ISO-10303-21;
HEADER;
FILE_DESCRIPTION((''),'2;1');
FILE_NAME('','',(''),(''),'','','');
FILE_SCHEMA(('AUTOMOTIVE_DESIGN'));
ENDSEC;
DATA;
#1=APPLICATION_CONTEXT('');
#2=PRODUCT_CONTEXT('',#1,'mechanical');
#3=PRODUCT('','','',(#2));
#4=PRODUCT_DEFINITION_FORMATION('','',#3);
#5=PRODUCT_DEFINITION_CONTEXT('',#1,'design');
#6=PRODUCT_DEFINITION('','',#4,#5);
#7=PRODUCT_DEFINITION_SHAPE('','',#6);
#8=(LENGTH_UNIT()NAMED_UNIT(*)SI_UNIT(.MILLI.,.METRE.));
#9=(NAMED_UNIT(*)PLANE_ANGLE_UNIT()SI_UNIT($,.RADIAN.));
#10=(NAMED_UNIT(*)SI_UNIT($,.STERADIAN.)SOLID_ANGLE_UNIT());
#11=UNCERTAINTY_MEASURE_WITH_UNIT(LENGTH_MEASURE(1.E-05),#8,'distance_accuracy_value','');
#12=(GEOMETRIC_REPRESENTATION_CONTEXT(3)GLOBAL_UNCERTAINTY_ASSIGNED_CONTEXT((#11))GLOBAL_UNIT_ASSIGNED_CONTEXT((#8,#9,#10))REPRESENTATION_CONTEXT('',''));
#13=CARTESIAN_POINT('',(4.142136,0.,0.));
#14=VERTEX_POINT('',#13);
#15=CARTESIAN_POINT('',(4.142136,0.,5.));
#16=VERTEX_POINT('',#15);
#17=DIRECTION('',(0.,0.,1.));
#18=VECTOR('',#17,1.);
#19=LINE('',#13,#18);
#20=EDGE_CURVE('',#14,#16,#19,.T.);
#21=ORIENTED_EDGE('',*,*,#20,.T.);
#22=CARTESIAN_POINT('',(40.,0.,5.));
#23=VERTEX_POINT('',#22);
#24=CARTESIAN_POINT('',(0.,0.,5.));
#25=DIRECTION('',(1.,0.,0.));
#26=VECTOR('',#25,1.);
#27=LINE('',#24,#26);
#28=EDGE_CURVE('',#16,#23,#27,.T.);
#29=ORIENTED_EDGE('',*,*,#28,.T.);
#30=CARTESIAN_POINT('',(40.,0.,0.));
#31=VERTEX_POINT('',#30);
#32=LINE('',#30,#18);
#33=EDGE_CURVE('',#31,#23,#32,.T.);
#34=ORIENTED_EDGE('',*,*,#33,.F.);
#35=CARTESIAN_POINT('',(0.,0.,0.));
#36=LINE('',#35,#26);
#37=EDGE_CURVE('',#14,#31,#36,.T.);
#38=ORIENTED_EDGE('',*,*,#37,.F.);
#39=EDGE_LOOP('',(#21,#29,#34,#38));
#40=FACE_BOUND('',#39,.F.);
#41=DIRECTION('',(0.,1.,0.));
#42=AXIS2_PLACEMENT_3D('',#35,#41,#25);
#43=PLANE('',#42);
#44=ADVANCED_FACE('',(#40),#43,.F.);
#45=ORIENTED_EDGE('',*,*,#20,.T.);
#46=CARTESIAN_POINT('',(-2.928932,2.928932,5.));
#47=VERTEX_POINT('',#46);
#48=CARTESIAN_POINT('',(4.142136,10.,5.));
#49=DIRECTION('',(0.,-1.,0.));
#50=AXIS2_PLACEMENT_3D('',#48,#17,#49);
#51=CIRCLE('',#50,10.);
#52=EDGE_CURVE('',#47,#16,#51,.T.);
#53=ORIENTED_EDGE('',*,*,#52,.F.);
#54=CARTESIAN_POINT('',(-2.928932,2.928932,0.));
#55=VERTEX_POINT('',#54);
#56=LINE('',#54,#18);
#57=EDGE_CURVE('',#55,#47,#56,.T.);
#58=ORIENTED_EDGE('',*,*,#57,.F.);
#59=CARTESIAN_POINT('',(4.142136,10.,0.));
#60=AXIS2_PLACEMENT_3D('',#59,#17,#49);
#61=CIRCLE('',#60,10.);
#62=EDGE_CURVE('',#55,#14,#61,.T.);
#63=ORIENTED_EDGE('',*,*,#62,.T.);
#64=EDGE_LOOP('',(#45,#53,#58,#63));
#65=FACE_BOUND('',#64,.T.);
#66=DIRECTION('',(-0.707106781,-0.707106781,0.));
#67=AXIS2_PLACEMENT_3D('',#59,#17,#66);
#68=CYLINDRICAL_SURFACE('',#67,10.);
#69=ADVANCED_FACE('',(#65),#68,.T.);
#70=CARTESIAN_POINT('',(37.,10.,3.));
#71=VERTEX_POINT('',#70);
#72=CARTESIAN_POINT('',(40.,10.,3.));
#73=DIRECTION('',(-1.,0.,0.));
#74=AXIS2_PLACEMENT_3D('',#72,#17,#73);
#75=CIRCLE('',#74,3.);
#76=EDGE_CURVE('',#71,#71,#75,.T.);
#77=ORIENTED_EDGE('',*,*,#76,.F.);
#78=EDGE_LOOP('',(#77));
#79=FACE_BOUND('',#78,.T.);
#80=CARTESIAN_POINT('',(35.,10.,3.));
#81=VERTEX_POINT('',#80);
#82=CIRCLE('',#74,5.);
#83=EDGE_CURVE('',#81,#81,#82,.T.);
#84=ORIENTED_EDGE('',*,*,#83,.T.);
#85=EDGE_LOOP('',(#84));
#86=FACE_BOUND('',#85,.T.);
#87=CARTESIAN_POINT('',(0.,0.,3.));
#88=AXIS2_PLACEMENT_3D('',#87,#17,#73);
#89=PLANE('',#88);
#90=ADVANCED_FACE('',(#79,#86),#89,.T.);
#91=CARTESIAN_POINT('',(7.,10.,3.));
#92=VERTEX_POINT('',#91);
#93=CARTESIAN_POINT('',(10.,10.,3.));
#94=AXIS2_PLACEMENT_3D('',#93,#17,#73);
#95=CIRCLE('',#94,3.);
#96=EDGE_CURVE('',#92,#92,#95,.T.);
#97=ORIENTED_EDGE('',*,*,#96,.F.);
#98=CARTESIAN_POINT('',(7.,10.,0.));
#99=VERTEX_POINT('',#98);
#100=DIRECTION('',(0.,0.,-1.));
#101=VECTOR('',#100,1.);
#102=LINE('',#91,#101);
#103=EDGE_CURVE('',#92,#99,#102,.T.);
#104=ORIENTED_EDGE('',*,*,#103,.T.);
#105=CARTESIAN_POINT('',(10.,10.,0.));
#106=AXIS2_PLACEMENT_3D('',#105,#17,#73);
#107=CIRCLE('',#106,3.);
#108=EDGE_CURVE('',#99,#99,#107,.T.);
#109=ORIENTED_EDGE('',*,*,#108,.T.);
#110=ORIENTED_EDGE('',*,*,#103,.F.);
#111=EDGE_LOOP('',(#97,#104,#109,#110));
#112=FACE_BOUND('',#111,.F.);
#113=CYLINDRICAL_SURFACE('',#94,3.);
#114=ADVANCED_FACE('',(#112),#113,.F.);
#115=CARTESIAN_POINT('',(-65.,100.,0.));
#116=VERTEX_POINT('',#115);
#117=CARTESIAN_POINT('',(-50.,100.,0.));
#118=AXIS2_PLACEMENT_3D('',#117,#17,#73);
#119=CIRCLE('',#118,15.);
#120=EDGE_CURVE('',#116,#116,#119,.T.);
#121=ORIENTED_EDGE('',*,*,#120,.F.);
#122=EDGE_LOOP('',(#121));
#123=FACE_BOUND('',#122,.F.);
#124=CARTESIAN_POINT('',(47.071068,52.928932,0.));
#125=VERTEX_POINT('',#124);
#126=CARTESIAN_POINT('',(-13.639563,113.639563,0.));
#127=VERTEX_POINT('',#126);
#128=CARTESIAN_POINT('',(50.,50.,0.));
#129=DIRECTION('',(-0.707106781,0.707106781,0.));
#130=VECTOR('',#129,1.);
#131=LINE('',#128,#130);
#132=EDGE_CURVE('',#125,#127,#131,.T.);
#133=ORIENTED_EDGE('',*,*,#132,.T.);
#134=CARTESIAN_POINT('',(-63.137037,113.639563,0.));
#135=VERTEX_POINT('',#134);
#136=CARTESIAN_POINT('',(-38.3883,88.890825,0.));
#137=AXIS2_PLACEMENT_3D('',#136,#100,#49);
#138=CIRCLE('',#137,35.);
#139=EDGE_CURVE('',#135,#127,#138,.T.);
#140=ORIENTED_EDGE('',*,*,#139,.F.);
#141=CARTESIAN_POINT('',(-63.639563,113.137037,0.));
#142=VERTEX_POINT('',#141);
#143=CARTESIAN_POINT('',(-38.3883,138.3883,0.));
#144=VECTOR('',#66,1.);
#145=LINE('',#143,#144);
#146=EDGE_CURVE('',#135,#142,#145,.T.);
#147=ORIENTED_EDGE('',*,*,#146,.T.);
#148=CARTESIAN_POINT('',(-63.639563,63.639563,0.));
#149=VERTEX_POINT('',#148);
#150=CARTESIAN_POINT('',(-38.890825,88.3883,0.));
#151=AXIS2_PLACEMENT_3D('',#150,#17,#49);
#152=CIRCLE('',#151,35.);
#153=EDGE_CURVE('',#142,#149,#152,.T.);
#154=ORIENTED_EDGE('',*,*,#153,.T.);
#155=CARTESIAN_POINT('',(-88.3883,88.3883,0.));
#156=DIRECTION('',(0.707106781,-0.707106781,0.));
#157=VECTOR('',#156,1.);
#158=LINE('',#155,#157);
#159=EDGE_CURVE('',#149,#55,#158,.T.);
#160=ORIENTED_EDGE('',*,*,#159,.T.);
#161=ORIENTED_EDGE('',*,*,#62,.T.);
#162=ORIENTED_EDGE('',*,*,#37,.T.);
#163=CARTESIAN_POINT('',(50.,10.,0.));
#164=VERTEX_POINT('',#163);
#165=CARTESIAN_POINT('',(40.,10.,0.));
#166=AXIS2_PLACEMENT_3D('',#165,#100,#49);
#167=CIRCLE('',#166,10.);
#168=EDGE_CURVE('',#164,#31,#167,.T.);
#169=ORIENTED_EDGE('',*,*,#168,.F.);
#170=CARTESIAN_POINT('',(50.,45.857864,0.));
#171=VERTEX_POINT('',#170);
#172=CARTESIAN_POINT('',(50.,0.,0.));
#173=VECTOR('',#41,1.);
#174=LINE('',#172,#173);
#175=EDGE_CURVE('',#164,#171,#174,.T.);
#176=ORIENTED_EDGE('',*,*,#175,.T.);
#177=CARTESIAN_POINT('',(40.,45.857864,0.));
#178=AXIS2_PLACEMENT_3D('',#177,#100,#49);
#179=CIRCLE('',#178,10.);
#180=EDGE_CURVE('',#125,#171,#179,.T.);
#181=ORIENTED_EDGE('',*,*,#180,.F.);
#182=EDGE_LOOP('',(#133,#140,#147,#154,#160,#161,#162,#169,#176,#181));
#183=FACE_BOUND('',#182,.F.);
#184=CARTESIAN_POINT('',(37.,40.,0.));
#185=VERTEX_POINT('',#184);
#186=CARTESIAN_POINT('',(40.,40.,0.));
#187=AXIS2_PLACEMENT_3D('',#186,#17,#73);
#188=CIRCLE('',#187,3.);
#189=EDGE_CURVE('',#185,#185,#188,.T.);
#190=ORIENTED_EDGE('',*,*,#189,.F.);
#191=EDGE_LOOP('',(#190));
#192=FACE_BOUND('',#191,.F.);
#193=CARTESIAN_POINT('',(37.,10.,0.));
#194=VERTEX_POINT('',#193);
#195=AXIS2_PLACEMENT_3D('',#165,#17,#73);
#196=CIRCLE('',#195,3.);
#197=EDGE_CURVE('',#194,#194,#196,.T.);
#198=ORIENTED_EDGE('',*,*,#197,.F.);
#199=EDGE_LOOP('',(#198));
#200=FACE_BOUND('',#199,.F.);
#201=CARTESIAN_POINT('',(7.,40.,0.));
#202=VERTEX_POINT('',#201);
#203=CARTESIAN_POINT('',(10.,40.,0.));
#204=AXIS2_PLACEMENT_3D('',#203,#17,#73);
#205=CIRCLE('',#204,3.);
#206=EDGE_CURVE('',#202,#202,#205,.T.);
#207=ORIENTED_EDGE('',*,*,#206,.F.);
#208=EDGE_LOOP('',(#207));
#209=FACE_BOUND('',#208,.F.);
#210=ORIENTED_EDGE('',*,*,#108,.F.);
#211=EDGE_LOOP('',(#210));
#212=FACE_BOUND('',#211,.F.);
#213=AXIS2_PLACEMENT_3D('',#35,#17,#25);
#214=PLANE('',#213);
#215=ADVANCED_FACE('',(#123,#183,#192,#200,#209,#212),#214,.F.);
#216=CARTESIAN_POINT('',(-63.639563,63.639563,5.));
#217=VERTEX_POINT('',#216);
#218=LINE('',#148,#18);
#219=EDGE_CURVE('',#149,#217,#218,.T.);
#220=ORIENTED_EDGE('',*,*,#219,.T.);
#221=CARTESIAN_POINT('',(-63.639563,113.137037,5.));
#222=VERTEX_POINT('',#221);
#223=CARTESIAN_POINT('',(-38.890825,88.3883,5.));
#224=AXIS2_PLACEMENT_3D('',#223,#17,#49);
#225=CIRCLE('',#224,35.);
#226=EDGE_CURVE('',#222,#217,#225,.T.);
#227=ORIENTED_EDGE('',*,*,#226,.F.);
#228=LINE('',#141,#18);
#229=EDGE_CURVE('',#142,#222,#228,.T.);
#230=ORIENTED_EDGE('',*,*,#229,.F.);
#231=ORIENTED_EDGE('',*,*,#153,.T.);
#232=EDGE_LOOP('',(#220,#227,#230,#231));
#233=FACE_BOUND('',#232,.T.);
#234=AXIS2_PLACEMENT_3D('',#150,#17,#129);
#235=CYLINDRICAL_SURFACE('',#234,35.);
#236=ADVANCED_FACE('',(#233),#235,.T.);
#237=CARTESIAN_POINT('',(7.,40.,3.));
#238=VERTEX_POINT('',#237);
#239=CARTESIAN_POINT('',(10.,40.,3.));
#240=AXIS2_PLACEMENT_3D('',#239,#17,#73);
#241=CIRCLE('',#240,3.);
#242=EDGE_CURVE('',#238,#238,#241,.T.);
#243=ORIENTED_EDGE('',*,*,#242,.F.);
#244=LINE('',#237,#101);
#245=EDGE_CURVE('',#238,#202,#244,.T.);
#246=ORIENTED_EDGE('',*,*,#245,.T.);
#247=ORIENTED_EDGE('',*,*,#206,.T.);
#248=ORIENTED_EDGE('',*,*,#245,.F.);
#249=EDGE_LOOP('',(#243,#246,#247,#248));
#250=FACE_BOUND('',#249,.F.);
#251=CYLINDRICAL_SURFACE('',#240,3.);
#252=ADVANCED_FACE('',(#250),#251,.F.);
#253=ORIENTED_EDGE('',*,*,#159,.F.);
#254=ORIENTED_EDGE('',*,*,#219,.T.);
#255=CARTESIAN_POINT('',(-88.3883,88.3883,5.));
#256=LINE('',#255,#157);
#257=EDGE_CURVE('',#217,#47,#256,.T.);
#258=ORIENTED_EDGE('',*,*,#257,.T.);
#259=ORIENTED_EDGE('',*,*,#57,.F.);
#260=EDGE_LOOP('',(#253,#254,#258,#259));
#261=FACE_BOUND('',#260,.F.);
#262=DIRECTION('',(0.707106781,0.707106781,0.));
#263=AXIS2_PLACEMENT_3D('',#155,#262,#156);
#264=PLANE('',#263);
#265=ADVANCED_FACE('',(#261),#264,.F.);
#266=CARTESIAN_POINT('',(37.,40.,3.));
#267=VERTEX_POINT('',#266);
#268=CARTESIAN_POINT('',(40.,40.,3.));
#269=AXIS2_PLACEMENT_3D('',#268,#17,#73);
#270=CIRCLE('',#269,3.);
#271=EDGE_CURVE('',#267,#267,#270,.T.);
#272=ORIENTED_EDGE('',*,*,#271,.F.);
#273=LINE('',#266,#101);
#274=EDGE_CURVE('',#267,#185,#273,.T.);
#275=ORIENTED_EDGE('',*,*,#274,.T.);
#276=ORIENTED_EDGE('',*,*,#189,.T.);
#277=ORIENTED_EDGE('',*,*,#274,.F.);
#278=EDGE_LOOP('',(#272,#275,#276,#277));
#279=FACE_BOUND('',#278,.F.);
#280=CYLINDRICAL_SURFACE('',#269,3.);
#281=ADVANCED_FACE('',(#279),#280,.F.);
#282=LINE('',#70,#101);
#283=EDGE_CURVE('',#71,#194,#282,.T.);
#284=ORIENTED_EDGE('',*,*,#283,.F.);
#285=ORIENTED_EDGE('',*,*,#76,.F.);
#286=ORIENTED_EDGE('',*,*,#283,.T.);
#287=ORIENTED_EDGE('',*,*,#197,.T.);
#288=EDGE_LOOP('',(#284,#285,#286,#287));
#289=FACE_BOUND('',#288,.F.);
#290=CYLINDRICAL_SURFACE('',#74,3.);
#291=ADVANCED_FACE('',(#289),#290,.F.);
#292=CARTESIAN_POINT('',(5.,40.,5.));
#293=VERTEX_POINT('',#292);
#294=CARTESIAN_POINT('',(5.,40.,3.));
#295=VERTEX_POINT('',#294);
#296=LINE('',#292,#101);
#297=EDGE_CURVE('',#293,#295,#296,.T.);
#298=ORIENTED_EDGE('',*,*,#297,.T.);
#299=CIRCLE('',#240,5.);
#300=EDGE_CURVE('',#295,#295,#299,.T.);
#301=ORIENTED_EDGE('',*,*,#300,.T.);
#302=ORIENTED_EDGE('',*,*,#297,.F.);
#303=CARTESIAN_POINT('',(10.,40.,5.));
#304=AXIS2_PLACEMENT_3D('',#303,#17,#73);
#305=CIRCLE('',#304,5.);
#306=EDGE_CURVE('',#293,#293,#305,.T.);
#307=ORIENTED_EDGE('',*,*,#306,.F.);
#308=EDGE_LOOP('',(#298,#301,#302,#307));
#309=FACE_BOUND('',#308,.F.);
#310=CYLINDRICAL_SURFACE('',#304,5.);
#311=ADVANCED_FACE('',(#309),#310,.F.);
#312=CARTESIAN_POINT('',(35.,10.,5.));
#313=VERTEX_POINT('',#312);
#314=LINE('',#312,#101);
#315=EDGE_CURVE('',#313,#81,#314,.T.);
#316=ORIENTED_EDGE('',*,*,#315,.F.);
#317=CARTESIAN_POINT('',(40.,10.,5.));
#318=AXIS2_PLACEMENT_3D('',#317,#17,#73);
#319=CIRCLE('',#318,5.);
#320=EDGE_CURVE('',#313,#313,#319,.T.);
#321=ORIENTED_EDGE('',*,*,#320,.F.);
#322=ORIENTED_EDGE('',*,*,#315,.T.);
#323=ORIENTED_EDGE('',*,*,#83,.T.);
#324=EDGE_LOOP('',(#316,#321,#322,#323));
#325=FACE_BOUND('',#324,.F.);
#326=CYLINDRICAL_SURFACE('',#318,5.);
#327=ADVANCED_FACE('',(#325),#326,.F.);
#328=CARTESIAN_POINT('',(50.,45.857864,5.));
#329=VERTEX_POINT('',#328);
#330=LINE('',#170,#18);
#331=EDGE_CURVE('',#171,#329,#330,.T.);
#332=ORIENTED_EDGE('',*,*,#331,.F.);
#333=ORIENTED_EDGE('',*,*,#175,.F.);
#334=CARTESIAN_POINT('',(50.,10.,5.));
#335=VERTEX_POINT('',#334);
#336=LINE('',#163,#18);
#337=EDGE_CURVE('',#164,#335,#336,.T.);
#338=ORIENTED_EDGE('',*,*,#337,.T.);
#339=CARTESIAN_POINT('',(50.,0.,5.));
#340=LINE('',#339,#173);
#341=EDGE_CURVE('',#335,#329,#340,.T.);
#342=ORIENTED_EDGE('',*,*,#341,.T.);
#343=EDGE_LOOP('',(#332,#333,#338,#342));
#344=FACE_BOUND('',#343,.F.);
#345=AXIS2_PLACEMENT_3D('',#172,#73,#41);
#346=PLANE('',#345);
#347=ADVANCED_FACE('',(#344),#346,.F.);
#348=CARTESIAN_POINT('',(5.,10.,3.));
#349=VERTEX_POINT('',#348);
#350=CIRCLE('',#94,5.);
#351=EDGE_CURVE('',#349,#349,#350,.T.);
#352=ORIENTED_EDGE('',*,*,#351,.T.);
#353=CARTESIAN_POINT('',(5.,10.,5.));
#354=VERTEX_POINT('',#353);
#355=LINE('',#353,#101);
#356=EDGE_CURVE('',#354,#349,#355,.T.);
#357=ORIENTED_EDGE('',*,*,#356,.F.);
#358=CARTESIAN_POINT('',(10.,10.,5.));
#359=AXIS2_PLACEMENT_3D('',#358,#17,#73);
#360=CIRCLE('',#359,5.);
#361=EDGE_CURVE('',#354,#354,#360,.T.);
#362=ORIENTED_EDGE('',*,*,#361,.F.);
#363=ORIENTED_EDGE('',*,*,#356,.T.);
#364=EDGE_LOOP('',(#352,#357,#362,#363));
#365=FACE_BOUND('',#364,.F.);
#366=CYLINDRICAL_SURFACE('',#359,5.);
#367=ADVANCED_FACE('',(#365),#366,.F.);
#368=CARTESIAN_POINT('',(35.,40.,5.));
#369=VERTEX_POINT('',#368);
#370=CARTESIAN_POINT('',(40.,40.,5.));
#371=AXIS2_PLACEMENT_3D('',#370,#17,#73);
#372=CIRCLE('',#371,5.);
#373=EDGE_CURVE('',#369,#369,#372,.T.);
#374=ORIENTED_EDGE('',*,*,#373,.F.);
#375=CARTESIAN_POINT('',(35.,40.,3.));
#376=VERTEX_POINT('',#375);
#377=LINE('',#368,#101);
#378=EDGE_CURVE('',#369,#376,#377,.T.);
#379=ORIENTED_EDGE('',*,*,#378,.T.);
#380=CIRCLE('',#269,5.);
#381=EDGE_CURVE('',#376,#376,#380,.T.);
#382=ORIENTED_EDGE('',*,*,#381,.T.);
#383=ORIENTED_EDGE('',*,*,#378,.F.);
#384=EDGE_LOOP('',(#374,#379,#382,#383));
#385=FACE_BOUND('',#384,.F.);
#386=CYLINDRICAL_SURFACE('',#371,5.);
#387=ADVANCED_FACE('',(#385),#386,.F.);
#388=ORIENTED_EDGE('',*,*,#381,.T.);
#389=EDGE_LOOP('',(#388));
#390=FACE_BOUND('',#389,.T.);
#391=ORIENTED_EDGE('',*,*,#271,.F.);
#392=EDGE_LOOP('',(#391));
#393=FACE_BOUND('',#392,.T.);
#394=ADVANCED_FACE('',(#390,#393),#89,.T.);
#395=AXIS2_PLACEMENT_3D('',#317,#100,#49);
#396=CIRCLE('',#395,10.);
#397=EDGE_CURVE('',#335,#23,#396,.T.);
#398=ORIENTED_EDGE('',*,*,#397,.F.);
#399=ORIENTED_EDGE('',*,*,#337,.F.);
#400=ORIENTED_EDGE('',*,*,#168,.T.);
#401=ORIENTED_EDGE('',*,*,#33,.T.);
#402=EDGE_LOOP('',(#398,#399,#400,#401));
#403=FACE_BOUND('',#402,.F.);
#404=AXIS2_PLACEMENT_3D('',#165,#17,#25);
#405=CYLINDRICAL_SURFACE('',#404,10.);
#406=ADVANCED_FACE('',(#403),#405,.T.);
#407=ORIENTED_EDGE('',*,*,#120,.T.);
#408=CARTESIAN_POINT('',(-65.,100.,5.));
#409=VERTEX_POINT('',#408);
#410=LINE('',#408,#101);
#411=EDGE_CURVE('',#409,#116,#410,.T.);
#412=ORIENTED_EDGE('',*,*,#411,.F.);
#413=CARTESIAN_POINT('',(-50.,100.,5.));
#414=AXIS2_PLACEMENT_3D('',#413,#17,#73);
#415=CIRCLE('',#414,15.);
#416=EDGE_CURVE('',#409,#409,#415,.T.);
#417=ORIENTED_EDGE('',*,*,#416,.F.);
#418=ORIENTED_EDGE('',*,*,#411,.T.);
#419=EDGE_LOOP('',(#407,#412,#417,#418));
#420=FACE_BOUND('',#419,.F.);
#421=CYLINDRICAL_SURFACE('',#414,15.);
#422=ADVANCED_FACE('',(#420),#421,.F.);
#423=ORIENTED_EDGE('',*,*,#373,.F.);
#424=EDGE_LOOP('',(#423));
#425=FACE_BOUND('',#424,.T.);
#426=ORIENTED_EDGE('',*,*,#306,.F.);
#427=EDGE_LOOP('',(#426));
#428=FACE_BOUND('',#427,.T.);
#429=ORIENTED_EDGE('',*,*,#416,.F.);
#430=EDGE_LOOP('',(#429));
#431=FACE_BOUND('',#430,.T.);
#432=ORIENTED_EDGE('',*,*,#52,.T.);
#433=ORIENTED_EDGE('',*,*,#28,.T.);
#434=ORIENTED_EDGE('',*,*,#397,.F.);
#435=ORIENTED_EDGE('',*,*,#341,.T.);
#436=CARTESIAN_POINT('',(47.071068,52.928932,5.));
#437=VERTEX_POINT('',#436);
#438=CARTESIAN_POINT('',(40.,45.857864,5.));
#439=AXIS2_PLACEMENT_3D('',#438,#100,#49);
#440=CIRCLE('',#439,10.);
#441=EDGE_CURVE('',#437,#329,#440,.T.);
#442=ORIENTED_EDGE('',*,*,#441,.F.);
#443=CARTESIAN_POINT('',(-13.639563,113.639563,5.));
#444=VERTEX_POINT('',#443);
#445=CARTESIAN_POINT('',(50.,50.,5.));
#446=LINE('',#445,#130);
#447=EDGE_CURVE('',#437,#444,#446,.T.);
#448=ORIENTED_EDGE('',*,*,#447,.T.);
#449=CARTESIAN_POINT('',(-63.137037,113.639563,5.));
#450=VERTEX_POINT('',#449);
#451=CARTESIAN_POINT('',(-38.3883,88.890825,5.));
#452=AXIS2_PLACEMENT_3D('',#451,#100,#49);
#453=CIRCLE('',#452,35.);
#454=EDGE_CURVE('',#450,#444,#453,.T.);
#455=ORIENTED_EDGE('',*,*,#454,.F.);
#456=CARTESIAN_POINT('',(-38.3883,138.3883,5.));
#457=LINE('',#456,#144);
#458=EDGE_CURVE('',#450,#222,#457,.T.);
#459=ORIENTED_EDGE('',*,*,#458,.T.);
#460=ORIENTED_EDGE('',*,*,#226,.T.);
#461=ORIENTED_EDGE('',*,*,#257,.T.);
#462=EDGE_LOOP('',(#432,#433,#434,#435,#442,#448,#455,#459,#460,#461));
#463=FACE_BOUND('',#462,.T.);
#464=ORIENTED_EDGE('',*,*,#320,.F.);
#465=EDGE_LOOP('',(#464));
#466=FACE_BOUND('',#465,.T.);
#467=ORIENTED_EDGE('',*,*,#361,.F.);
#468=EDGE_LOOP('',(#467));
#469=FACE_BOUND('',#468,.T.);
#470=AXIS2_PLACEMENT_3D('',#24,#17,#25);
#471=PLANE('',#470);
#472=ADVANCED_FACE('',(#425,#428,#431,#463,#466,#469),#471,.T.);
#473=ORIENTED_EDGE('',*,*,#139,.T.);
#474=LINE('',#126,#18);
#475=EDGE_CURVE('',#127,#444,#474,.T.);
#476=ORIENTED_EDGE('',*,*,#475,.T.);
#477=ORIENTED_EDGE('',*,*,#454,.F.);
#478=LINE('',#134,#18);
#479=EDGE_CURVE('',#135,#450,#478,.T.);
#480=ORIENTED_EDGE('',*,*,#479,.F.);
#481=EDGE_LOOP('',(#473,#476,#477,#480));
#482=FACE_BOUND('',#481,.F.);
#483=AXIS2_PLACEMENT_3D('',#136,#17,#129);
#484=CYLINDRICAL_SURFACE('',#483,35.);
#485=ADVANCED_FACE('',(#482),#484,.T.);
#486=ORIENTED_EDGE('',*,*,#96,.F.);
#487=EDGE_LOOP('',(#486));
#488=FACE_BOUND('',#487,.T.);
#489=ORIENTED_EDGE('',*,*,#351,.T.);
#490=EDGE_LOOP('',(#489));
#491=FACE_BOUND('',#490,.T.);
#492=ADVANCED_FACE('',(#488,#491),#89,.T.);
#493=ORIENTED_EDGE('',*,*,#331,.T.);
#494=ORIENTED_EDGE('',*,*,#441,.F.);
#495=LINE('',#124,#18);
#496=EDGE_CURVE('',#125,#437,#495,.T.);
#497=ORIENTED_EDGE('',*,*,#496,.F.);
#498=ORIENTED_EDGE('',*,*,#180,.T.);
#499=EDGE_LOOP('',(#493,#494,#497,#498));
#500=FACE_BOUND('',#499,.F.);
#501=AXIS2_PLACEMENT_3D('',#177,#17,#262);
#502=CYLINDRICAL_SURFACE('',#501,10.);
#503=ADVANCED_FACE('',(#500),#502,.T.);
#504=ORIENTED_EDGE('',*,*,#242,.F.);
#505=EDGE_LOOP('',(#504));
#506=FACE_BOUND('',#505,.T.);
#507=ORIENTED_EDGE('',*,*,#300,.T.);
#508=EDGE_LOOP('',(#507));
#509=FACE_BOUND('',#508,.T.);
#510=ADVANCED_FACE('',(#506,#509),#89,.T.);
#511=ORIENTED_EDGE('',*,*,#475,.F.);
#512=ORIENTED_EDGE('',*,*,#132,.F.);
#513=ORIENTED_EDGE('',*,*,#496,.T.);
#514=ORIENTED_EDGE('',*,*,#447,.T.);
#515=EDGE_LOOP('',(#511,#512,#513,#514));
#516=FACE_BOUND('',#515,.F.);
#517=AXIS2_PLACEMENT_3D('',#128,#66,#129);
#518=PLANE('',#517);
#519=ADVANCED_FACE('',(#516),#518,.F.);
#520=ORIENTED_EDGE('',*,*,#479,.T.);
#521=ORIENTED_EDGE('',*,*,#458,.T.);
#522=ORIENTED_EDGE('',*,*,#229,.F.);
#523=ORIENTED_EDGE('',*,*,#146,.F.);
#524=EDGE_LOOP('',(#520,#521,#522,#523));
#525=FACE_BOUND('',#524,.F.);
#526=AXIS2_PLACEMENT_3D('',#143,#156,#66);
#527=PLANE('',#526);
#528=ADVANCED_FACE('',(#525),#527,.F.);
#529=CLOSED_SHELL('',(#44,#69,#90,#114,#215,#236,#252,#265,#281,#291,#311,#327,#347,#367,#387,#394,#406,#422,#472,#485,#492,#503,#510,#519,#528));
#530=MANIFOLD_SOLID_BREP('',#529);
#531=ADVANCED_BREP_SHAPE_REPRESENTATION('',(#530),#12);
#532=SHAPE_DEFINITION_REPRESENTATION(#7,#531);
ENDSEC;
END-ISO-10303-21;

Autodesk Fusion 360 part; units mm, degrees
sketch "Sketch1" plane through (0, 0, 0) normal (0, 0, 1) x (1, 0, 0)
  line L0 (0, 0) -> (50, 0)
  line L1 (50, 0) -> (50, 50)
  line L2 (50, 50) -> (0, 50)
  line L3 (0, 50) -> (0, 0)
  dimension "d1" = 50
  dimension "d2" = 50
extrude "Extrude1" add sketch "Sketch1" along normal blind 5
sketch "Sketch2" plane through (0, 0, 0) normal (0, 0, 1) x (1, 0, 0)
  line L0 (0, 0) -> (50, 50)
  line L1 (50, 50) -> (-38.3883, 138.3883)
  line L2 (-38.3883, 138.3883) -> (-88.3883, 88.3883)
  line L3 (-88.3883, 88.3883) -> (0, 0)
  dimension "d5" = 125
extrude "Extrude2" add sketch "Sketch2" along normal blind 5
sketch "Sketch3" plane through (0, 0, 5) normal (0, 0, 1) x (-1, 0, 0)
  line L0 (0, 0) -> (-50, 0)
  line L1 (-50, 0) -> (-50, -50)
  line L2 (-50, -50) -> (38.3883, -138.3883)
  line L3 (38.3883, -138.3883) -> (88.3883, -88.3883)
  line L4 (88.3883, -88.3883) -> (0, 0)
  circle A0 centre (-10, -10) radius 5
  circle A1 centre (-40, -10) radius 5
  circle A2 centre (-40, -40) radius 5
  circle A3 centre (-10, -40) radius 5
  dimension "d8" = 10
  dimension "d9" = 10
  dimension "d10" = 10
  dimension "d11" = 10
extrude "Extrude3" cut sketch "Sketch3" against normal blind 2 contours A0 | A1 | A2 | A3
sketch "Sketch4" plane through (0, 0, 3) normal (0, 0, 1) x (-1, 0, 0)
  circle A0 centre (-10, -40) radius 5
  circle A1 centre (-10, -40) radius 3
  circle A2 centre (-40, -40) radius 3
  circle A3 centre (-10, -10) radius 3
  circle A4 centre (-40, -10) radius 3
  dimension "d14" = 6
  dimension "d15" = 6
  dimension "d16" = 6
  dimension "d17" = 6
extrude "Extrude4" cut sketch "Sketch4" against normal blind 5 contours A1 | A2 | A3 | A4
sketch "Sketch5" plane through (0, 0, 5) normal (0, 0, 1) x (-1, 0, 0)
  circle A0 centre (-40, -40) radius 5
  circle A1 centre (-40, -10) radius 5
  circle A2 centre (-10, -40) radius 5
  circle A3 centre (-10, -10) radius 5
  line L0 (0, 0) -> (-50, 0)
  line L1 (-50, 0) -> (-50, -50)
  line L2 (-50, -50) -> (38.3883, -138.3883)
  line L3 (38.3883, -138.3883) -> (88.3883, -88.3883)
  line L4 (88.3883, -88.3883) -> (0, 0)
  circle A4 centre (50, -100) radius 15
  dimension "d20" = 30
extrude "Extrude5" cut sketch "Sketch5" against normal blind 5 contours A4
fillet "Fillet1" radius 35 2 edges at (-88.3883, 88.3883, 2.5) (-38.3883, 138.3883, 2.5)
fillet "Fillet2" radius 10 3 edges at (0, 0, 2.5) (50, 0, 2.5) (50, 50, 2.5)
